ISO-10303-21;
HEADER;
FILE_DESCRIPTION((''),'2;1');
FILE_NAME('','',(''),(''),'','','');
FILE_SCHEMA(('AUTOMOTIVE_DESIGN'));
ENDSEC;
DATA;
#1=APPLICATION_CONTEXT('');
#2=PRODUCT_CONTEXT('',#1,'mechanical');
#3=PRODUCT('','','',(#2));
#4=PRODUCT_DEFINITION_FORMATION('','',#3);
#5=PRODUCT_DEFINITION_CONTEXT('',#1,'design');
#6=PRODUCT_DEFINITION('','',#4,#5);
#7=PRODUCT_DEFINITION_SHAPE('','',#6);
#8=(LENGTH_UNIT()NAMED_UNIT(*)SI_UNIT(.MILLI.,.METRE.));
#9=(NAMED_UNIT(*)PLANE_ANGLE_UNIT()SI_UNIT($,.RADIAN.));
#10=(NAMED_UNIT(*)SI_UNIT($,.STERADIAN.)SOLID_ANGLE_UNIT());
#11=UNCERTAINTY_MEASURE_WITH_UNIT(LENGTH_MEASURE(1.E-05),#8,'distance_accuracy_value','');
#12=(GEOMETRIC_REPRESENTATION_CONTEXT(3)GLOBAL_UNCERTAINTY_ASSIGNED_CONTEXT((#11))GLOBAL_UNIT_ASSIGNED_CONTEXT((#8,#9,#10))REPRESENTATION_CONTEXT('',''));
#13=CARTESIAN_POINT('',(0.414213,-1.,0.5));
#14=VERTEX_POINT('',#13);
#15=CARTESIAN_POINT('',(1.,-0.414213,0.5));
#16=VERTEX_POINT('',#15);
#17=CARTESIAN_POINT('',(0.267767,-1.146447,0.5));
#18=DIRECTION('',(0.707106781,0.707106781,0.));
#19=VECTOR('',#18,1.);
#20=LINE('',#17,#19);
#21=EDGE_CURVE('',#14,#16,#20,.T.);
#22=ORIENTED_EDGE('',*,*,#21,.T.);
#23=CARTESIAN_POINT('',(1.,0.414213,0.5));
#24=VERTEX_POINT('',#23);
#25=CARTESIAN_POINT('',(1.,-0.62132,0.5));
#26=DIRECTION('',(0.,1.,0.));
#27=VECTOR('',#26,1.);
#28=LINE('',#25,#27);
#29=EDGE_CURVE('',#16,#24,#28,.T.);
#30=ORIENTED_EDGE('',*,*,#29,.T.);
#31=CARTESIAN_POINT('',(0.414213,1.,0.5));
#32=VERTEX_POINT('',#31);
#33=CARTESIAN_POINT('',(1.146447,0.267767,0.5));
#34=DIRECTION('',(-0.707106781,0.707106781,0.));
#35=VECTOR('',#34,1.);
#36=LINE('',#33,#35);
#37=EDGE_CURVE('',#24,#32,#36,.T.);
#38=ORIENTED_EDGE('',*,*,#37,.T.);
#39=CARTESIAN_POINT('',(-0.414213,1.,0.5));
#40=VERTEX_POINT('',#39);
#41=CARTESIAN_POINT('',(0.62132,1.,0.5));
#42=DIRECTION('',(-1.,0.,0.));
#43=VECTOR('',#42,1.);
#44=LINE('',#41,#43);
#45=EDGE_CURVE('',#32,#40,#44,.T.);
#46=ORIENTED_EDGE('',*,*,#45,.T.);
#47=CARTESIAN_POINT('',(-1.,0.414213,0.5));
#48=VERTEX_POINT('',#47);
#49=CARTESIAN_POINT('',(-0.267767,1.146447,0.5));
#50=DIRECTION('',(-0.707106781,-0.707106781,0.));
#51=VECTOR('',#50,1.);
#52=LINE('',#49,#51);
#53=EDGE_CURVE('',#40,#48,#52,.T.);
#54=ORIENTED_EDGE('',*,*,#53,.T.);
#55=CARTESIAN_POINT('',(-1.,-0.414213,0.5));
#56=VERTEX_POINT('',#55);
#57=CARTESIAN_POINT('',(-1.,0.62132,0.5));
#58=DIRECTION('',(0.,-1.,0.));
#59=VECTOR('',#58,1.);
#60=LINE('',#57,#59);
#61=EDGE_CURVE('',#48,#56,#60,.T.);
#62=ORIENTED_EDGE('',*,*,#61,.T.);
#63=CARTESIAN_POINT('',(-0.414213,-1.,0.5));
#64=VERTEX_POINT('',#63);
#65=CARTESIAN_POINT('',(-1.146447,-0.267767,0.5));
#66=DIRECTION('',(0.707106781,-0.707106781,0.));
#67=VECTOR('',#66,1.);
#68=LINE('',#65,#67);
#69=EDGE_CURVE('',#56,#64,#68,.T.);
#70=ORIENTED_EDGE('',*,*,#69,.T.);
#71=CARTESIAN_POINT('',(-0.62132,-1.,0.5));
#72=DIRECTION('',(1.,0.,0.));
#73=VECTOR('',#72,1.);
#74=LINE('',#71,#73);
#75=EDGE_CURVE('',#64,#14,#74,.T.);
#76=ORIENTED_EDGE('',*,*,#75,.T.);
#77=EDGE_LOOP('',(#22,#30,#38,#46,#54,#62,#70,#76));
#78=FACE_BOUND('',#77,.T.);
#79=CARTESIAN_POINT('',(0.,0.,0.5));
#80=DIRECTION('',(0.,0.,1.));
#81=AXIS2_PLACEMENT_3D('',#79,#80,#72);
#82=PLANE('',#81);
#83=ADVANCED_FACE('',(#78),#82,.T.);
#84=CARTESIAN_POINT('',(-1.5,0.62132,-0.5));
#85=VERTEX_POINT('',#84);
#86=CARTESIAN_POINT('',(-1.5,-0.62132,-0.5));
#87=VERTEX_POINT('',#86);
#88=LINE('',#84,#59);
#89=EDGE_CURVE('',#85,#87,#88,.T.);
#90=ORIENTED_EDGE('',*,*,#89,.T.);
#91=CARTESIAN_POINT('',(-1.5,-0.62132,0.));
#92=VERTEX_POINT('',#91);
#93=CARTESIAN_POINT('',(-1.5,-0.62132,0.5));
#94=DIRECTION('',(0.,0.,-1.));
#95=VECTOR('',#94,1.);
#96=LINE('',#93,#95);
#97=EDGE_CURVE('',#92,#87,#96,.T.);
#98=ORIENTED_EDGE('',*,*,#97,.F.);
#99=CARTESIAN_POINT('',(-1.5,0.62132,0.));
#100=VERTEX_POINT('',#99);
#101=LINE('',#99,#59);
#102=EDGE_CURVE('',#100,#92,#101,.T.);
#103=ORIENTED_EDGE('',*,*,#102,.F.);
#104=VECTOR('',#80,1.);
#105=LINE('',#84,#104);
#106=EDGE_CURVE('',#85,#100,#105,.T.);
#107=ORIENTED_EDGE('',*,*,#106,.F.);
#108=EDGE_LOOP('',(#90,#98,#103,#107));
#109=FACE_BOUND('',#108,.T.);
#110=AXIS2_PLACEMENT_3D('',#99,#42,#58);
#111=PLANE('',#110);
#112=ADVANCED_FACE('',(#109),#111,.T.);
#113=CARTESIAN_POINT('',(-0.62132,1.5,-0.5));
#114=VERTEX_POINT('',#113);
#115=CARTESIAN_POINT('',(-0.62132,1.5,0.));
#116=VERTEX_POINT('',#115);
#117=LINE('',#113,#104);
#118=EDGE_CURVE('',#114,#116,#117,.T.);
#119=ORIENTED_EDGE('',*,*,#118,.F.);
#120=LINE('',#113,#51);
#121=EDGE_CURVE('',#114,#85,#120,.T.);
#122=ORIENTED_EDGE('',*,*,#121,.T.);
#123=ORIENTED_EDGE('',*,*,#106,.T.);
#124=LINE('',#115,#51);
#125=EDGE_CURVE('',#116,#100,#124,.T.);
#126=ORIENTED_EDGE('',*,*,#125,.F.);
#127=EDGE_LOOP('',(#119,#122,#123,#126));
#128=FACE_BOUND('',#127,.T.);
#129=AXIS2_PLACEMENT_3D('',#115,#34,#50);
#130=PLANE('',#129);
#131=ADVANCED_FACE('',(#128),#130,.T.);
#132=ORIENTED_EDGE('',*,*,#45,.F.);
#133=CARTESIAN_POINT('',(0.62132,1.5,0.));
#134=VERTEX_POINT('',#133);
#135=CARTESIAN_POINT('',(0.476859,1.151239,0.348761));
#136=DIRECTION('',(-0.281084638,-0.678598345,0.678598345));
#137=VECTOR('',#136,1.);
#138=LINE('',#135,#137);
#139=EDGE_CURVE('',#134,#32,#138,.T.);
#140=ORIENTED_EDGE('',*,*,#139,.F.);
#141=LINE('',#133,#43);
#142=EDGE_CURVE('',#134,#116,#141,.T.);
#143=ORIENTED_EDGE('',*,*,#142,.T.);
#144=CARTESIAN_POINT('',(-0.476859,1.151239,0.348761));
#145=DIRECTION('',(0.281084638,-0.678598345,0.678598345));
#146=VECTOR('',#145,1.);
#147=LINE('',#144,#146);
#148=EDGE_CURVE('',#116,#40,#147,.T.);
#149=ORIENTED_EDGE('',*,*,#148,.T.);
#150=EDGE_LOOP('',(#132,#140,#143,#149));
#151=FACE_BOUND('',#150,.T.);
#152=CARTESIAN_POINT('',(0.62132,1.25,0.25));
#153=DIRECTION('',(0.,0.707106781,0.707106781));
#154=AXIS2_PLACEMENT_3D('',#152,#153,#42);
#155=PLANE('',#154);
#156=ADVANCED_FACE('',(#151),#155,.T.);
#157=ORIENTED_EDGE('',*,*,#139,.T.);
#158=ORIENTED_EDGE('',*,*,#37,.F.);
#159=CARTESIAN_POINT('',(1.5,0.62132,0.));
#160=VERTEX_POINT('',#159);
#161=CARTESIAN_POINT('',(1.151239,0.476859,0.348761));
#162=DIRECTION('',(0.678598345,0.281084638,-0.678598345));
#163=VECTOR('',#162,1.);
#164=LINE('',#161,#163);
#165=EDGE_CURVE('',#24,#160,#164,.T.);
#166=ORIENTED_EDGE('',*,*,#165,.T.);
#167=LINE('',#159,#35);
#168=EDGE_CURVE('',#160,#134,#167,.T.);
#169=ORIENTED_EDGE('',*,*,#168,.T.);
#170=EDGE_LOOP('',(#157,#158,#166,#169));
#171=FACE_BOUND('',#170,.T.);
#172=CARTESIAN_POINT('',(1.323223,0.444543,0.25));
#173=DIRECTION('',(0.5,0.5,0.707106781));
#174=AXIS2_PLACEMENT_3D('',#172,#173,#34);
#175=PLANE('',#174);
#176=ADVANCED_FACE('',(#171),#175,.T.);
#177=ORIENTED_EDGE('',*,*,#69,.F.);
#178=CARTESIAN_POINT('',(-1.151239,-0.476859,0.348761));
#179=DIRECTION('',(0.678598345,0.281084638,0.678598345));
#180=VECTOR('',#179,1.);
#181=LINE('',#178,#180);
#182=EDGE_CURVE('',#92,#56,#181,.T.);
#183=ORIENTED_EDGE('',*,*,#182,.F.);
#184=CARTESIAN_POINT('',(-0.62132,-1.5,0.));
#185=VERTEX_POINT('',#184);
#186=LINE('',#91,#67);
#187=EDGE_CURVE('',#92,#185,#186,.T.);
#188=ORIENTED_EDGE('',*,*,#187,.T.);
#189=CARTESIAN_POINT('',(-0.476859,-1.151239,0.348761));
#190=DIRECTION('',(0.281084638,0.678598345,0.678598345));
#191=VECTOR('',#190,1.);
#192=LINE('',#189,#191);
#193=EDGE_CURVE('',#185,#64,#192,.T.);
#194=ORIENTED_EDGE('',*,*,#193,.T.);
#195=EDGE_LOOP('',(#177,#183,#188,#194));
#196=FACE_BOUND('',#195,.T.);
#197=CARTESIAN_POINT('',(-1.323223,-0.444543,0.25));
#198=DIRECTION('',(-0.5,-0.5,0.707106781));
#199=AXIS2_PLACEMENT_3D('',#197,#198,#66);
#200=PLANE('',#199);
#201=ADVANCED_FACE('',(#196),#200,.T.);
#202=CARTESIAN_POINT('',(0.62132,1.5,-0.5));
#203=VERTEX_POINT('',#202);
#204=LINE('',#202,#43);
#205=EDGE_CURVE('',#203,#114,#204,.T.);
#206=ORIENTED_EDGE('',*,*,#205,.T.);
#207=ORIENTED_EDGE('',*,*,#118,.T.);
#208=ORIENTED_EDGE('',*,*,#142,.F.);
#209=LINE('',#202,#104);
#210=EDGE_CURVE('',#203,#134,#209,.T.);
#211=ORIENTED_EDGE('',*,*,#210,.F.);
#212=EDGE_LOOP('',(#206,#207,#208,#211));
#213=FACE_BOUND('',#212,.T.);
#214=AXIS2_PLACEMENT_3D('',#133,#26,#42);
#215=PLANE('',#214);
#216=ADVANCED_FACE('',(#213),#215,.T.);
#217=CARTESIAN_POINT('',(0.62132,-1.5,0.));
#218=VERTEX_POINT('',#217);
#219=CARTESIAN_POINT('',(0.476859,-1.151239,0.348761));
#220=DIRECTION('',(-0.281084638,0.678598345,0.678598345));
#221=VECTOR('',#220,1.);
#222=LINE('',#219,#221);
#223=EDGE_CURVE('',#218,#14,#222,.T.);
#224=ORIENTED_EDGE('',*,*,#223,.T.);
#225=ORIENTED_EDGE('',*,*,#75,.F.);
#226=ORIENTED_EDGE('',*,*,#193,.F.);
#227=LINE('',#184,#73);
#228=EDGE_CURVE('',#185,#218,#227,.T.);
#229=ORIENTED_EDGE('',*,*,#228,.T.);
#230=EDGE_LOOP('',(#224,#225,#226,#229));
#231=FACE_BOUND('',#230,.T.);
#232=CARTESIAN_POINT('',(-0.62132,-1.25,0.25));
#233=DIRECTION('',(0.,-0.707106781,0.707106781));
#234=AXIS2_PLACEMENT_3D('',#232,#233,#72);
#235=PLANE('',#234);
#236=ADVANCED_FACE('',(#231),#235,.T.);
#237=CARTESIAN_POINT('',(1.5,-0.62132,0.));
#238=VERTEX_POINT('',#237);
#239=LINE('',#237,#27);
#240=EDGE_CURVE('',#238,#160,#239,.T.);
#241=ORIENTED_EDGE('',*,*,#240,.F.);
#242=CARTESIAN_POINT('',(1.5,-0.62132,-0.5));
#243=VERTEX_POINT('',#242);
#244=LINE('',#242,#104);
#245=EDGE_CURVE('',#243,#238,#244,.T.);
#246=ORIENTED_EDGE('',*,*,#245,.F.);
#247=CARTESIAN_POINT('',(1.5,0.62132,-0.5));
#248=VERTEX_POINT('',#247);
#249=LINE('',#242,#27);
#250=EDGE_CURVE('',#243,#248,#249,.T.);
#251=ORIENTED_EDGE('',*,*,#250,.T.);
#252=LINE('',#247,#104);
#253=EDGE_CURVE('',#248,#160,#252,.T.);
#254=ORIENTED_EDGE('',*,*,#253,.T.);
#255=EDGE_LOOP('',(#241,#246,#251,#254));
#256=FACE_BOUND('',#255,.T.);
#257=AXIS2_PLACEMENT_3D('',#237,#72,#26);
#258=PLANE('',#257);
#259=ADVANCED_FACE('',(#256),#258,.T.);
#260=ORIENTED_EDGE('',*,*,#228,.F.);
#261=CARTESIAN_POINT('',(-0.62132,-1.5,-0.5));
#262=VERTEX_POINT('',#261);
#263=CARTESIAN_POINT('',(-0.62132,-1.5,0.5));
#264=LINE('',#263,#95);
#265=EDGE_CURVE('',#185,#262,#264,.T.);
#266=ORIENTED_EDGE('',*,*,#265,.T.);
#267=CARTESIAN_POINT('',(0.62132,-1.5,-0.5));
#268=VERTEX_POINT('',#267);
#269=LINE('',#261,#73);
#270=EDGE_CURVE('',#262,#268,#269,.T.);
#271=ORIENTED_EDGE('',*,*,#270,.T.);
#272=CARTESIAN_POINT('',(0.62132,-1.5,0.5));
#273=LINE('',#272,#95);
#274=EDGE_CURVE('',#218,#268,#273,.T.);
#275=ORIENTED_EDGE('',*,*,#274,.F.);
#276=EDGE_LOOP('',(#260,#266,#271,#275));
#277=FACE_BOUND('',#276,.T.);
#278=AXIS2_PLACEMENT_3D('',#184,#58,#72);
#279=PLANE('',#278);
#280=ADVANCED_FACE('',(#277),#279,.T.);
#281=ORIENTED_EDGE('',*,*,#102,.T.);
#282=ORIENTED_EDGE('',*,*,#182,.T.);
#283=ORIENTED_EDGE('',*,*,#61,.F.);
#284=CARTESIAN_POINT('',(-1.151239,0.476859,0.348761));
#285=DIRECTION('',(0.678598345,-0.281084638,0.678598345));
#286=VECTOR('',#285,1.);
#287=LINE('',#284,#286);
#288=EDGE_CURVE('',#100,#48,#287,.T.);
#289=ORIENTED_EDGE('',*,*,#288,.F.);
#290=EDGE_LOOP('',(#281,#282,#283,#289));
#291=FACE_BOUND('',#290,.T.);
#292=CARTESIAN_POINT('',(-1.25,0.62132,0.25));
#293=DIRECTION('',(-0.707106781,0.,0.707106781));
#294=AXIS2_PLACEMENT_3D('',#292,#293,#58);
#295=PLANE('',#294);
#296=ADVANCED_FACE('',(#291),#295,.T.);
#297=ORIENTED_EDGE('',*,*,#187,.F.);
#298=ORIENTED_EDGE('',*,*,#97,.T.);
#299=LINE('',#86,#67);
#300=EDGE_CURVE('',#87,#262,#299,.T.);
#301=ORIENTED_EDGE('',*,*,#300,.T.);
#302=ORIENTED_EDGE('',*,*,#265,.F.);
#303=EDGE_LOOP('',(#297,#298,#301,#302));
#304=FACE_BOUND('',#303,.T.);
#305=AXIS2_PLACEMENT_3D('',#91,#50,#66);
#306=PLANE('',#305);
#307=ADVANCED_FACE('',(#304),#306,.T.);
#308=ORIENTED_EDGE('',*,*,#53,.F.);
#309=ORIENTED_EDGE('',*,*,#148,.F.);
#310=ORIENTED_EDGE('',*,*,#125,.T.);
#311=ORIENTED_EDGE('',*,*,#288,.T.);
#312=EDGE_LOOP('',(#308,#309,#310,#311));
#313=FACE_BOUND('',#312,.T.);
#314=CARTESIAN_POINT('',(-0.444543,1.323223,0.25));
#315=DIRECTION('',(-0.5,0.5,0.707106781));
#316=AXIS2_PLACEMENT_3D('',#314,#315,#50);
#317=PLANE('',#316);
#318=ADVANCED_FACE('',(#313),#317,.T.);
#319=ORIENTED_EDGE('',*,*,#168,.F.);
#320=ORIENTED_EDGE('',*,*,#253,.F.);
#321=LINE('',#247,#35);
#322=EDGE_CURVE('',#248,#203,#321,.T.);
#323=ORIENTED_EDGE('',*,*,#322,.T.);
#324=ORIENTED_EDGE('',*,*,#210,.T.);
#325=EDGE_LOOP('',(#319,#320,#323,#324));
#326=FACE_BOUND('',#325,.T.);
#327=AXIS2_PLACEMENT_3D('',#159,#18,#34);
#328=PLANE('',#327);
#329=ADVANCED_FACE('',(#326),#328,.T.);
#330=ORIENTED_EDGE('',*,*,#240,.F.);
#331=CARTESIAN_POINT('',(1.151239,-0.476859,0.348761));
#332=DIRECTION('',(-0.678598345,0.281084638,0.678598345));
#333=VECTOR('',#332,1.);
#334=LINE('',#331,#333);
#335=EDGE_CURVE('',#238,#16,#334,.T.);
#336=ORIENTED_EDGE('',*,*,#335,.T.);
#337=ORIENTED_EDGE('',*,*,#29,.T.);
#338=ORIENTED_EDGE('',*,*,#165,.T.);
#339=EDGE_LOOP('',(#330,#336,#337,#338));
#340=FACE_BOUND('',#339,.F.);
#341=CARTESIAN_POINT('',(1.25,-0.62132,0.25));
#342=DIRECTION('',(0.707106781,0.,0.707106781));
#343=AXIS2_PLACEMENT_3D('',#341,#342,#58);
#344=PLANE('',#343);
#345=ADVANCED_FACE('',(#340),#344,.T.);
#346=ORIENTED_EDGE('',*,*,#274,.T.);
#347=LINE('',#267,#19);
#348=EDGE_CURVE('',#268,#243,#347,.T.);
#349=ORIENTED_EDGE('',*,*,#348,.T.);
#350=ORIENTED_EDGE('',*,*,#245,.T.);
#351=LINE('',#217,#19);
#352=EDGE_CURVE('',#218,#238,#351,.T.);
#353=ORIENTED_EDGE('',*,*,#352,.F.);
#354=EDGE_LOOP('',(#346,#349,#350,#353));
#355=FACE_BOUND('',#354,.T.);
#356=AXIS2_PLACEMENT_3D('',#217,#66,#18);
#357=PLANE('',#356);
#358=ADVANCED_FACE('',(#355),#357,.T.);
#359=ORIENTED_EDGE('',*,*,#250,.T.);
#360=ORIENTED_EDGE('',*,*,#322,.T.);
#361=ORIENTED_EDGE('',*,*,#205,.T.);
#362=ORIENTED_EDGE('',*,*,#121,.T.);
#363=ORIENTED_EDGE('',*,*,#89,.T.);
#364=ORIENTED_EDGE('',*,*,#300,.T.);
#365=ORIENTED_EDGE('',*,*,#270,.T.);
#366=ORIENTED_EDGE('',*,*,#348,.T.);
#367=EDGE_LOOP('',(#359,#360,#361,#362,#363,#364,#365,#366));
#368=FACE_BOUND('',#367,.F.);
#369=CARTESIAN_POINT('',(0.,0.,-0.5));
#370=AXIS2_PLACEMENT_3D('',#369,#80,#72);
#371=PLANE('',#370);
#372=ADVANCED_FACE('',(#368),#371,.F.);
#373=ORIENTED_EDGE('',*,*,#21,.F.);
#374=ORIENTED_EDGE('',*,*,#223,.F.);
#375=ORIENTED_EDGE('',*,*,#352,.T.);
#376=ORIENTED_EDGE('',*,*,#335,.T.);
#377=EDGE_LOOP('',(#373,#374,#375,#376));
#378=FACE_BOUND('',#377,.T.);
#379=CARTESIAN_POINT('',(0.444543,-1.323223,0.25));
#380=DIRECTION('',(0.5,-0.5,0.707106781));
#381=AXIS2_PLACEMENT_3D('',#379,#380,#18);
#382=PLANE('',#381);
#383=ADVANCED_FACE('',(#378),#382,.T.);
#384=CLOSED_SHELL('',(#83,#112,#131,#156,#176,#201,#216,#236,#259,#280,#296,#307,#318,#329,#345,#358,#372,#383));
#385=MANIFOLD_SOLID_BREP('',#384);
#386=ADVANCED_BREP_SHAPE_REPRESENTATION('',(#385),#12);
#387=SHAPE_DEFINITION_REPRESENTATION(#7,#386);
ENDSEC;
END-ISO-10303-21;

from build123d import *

# Parameters (mm, degrees)
F1_DEPTH = 0.5
F2_SIZE  = 0.5


with BuildPart() as f1:
    # F0 (on Top) → F1 (new body, symmetric)
    with BuildSketch(Plane.XY):
        Polygon((0.62132, -1.5), (1.5, -0.62132), (1.5, 0.62132), (0.62132, 1.5), (-0.62132, 1.5), (-1.5, 0.62132), (-1.5, -0.62132), (-0.62132, -1.5), align=None)
    extrude(amount=F1_DEPTH, both=True)

    # F2
    f2_edges = [f1.edges().sort_by_distance(p)[0] for p in [
        (1.06066, -1.06066, 0.5),
        (1.5, 0, 0.5),
        (1.06066, 1.06066, 0.5),
        (0, 1.5, 0.5),
        (-1.06066, 1.06066, 0.5),
        (-1.5, 0, 0.5),
        (-1.06066, -1.06066, 0.5),
        (0, -1.5, 0.5),
    ]]
    chamfer(f2_edges, length=F2_SIZE)


solid = f1.part
